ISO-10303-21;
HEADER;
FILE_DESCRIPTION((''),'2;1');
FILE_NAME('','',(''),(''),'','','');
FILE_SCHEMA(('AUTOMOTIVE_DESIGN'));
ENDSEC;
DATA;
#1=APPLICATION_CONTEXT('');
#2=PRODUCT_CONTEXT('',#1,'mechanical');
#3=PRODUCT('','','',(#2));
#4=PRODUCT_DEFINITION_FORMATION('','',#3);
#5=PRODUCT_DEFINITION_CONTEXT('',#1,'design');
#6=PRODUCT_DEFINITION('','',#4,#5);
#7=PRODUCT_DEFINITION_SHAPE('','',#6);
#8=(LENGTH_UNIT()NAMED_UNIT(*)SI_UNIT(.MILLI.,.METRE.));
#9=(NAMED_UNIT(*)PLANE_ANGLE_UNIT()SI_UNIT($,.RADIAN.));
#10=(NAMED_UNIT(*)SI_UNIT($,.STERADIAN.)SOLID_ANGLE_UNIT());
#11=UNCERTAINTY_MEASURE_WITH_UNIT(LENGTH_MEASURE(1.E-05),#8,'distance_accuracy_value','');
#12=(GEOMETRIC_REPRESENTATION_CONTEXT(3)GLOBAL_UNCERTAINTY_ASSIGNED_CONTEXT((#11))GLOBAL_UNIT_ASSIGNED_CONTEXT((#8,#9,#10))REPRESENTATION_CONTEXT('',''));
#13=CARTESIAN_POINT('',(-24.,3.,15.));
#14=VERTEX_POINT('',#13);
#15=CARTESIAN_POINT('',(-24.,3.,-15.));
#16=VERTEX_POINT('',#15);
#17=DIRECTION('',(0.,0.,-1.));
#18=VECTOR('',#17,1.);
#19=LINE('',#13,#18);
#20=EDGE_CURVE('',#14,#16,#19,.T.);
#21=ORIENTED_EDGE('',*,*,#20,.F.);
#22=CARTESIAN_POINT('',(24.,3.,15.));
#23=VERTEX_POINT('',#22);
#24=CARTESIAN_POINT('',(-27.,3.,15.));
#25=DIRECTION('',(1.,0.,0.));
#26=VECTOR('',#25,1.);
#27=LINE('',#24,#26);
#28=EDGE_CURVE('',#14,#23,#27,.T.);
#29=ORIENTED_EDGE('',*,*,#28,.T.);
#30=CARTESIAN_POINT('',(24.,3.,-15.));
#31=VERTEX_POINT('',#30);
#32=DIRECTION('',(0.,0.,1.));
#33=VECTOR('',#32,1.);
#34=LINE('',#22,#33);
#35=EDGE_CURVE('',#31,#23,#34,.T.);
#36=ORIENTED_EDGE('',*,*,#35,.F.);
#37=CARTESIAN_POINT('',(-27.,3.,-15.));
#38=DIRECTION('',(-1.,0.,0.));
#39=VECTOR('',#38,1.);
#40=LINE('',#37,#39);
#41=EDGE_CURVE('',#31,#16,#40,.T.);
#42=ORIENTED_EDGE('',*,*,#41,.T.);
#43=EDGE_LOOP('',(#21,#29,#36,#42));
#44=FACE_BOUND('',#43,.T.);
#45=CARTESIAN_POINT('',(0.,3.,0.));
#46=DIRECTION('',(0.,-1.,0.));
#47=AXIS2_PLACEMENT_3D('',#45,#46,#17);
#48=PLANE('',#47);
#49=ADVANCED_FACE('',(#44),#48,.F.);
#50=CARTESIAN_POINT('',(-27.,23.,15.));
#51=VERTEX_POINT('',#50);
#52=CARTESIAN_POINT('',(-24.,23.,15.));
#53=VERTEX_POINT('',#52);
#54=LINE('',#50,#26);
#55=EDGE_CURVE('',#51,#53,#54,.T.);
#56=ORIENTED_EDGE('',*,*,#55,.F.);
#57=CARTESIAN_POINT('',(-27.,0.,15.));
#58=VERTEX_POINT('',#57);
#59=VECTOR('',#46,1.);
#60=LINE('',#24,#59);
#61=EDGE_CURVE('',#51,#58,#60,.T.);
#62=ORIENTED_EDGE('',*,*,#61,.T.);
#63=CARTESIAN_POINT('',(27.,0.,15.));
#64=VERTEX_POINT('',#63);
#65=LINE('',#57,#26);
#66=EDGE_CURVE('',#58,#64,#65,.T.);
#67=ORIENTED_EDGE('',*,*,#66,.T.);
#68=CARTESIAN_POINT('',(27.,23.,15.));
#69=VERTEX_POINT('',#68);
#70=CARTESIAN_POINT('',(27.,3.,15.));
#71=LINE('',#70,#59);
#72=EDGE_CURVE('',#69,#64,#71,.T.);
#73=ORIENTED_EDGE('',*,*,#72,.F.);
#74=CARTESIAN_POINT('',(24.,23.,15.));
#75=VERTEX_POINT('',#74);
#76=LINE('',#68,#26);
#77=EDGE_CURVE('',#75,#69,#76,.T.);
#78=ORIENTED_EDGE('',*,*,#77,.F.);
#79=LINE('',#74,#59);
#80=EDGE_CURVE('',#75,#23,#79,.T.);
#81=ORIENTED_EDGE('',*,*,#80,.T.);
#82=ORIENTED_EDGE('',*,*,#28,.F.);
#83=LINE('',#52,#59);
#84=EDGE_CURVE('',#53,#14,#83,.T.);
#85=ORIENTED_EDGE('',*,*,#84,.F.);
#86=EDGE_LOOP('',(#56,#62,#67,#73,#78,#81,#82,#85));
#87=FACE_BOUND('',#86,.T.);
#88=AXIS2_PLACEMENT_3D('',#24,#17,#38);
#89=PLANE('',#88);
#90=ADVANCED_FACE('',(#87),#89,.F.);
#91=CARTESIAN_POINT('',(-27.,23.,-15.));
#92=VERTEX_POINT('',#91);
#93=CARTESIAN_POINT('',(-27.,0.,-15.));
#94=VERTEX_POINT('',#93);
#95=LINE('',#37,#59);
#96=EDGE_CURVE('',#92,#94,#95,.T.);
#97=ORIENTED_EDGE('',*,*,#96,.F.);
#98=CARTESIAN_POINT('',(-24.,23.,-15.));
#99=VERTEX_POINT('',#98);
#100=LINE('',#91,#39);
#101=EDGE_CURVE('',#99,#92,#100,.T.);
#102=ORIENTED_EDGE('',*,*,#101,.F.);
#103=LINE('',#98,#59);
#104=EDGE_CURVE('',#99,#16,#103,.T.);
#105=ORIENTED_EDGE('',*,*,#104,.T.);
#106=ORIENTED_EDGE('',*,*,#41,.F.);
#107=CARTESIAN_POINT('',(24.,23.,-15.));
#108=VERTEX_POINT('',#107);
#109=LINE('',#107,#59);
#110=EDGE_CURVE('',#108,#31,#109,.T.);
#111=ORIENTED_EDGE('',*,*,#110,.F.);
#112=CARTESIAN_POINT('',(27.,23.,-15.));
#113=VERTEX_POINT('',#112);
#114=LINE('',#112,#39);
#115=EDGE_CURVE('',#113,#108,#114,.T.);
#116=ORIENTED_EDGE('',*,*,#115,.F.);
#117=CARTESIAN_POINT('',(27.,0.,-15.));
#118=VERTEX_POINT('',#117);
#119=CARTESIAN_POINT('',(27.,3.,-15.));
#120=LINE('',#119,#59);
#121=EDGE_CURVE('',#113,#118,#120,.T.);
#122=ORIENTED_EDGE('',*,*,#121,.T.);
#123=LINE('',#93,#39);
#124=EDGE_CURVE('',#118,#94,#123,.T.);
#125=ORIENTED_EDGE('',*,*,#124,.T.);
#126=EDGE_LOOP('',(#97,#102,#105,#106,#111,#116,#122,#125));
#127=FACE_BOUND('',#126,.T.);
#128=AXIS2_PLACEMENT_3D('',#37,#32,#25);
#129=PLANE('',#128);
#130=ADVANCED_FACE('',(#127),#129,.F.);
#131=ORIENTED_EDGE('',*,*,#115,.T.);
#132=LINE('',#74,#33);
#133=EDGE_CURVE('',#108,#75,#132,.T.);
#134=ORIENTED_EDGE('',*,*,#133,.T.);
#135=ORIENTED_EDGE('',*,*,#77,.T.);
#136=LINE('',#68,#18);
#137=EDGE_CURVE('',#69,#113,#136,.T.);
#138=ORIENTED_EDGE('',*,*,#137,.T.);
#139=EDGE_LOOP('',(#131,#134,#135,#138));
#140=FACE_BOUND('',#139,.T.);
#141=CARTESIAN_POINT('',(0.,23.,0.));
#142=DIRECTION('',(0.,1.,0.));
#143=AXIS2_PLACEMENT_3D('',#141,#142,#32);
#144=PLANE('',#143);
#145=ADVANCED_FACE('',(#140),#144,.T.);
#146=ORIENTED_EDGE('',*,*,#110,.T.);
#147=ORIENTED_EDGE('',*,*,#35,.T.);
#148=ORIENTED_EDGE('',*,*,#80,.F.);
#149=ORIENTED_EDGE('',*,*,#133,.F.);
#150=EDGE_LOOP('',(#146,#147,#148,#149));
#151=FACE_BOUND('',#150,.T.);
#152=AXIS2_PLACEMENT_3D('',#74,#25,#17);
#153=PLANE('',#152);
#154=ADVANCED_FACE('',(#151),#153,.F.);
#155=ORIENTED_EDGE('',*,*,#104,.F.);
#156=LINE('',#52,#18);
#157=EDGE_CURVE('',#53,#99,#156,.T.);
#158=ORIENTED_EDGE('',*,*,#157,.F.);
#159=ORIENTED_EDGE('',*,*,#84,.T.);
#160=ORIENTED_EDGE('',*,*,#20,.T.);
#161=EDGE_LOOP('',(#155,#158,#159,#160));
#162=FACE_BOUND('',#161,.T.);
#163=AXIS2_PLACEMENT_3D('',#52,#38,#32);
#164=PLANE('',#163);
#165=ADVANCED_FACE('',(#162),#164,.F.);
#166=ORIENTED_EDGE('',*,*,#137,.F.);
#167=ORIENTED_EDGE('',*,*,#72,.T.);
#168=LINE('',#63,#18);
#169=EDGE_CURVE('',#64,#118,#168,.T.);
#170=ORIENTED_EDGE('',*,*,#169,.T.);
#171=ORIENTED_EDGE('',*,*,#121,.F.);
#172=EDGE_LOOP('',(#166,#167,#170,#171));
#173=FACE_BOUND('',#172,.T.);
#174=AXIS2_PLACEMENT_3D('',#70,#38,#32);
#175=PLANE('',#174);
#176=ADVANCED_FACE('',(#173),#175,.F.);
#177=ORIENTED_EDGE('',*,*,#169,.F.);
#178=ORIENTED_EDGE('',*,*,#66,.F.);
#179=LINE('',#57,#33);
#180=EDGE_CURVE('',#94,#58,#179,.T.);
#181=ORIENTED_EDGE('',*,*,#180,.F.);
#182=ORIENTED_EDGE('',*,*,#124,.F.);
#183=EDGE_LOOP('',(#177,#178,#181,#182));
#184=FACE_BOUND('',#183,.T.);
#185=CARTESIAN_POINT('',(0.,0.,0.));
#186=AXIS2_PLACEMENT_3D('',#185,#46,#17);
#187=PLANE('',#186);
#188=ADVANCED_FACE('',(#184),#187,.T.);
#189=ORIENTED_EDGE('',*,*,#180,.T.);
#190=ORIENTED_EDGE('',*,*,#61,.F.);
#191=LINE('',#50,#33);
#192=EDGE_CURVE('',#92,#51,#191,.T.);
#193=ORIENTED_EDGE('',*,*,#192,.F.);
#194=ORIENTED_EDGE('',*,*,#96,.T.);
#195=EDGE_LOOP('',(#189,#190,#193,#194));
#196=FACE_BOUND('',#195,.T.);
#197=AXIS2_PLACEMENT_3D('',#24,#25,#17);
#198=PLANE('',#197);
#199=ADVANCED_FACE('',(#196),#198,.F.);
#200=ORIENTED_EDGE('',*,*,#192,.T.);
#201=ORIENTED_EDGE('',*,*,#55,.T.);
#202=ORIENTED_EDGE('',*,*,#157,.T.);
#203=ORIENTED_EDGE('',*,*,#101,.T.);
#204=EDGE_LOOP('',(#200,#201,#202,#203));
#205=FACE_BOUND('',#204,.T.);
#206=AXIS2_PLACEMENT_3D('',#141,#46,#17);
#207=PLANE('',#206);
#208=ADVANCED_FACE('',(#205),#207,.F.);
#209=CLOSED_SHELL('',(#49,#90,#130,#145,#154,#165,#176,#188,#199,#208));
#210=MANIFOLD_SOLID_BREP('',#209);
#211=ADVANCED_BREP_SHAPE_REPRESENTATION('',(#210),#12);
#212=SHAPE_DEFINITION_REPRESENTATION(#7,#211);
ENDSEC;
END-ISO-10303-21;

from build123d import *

# Parameters (mm, degrees)
SKETCH1_W           = 54
SKETCH1_H           = 30
BOSS_EXTRUDE1_DEPTH = 3
SKETCH2_W           = 3
SKETCH2_H           = 30
BOSS_EXTRUDE2_DEPTH = 20
SKETCH3_W           = 3
SKETCH3_H           = 30
BOSS_EXTRUDE3_DEPTH = 20


with BuildPart() as part:
    # Sketch1 → Boss-Extrude1 (new body)
    with BuildSketch(Plane(origin=(0, 0, 0), x_dir=(1, 0, 0), z_dir=(0, 1, 0))):
        Rectangle(SKETCH1_W, SKETCH1_H)
    extrude(amount=BOSS_EXTRUDE1_DEPTH)

    # Sketch2 → Boss-Extrude2 (add)
    with BuildSketch(Plane(origin=(0, 3, 0), x_dir=(1, 0, 0), z_dir=(0, 1, 0))):
        with Locations((-25.5, 0)):
            Rectangle(SKETCH2_W, SKETCH2_H)
    extrude(amount=BOSS_EXTRUDE2_DEPTH)

    # Sketch3 → Boss-Extrude3 (add)
    with BuildSketch(Plane(origin=(0, 3, 0), x_dir=(1, 0, 0), z_dir=(0, 1, 0))):
        with Locations((25.5, 0)):
            Rectangle(SKETCH3_W, SKETCH3_H)
    extrude(amount=BOSS_EXTRUDE3_DEPTH)


solid = part.part
